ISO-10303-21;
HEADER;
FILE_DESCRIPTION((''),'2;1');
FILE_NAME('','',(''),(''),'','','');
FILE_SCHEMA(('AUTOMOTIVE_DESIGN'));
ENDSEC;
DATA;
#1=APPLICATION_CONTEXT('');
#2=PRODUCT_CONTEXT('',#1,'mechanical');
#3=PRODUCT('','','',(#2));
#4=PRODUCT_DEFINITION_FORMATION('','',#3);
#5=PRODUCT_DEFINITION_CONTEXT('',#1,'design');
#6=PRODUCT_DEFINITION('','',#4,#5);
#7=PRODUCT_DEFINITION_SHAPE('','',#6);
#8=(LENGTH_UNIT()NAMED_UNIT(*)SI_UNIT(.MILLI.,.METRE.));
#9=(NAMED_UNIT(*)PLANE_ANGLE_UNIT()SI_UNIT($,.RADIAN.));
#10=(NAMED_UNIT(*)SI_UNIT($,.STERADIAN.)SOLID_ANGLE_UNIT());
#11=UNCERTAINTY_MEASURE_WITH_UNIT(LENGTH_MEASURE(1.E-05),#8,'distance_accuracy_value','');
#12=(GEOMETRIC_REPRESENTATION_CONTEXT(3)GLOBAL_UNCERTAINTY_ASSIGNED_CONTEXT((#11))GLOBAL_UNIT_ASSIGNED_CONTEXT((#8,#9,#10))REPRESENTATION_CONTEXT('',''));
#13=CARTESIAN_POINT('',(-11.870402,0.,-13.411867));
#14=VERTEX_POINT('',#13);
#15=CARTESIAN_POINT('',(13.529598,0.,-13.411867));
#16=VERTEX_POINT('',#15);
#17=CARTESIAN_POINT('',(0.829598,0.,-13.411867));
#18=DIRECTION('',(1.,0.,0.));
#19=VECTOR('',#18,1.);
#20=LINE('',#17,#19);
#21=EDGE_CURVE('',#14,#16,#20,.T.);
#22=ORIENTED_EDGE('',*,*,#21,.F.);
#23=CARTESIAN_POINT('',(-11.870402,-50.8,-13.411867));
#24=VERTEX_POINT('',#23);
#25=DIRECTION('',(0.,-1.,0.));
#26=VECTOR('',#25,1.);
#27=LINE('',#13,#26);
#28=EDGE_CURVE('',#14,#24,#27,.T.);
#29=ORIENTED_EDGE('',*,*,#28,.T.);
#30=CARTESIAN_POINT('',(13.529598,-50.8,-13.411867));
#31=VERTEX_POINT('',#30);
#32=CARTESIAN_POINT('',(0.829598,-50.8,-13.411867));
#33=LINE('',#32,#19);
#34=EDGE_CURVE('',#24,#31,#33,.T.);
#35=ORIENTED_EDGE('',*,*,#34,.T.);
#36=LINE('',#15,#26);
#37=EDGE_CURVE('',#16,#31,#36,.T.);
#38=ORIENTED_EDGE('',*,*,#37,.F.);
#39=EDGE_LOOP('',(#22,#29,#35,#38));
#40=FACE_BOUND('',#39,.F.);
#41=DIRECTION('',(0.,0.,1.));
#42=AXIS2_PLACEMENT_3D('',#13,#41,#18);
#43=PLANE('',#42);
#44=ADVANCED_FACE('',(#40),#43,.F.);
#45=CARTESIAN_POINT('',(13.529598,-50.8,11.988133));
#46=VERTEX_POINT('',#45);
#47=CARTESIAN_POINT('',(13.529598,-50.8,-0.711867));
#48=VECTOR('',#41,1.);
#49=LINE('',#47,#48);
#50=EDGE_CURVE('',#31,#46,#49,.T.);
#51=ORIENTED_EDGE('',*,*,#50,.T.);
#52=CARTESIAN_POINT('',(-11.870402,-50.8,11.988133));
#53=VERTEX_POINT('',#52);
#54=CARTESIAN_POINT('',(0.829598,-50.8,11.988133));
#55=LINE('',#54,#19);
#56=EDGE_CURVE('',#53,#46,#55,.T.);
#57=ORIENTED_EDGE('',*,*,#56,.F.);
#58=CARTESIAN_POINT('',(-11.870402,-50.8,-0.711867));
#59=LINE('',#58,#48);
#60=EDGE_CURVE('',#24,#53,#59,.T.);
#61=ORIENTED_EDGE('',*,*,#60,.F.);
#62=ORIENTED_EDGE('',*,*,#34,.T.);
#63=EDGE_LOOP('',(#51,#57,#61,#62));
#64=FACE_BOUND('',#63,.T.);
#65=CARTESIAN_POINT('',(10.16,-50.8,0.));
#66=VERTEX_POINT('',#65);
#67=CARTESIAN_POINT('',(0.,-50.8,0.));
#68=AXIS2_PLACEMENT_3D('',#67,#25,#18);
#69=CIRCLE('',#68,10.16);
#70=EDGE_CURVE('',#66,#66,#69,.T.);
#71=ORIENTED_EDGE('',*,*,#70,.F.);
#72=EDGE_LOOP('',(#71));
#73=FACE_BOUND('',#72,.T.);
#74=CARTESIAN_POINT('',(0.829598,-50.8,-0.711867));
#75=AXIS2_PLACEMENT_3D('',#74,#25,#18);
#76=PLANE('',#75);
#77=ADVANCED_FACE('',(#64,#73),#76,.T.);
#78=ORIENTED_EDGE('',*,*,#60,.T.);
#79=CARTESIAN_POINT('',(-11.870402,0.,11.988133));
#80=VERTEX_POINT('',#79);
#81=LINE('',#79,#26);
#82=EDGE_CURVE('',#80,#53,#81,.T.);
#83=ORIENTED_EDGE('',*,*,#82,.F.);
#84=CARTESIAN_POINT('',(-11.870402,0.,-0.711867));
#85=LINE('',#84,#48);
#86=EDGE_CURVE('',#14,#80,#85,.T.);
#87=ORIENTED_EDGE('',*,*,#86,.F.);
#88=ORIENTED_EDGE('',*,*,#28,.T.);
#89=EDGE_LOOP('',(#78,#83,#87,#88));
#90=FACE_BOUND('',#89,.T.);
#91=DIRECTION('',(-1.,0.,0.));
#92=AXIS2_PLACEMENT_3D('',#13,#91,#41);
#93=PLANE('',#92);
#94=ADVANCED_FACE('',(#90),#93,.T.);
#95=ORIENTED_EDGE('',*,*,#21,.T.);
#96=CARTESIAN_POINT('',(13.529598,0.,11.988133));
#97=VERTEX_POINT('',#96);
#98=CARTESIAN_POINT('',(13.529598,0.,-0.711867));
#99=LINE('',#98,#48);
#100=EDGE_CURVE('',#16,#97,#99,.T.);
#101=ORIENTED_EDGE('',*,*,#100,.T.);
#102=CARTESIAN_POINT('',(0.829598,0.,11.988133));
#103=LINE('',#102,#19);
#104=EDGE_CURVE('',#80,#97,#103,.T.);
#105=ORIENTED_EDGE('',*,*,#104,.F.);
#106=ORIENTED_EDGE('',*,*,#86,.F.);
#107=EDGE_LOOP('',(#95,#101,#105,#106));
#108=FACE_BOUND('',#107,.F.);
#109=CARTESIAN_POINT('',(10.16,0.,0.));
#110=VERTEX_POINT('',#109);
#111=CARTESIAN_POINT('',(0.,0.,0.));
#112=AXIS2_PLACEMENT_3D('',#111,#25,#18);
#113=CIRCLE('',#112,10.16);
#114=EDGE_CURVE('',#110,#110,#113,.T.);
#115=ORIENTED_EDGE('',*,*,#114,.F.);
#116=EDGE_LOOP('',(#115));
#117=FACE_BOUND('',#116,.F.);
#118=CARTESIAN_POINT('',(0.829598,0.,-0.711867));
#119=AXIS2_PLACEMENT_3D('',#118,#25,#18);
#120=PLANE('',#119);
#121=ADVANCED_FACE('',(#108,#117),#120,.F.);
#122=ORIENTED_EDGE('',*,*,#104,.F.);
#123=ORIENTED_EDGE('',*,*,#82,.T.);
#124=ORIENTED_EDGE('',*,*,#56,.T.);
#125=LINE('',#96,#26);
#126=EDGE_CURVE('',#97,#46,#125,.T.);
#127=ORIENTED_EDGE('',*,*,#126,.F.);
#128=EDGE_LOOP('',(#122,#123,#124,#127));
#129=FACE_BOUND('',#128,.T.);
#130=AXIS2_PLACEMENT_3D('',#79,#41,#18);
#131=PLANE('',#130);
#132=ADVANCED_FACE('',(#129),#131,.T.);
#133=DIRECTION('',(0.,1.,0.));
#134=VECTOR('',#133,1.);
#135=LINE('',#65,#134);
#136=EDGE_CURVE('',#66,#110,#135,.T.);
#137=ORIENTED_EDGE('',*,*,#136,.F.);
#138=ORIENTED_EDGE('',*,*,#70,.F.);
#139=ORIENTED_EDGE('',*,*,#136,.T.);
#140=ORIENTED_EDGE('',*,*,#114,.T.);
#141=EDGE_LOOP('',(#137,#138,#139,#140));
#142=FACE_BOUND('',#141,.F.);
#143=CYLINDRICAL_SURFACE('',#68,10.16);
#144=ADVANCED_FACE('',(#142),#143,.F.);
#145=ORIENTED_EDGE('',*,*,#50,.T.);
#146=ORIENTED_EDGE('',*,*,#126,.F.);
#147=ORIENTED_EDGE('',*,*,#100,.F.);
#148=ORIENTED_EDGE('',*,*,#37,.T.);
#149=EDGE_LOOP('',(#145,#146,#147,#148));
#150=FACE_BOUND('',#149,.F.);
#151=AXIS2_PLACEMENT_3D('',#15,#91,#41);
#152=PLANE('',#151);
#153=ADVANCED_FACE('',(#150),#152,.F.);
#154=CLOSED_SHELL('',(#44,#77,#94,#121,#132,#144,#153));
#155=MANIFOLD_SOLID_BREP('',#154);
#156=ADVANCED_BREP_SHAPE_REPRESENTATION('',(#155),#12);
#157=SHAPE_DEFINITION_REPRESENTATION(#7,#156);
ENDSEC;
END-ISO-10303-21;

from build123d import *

# Parameters (mm, degrees)
F0_W     = 25.4
F0_H     = 25.4
F1_DEPTH = 50.8
F2_R     = 10.16
F3_DEPTH = 50.801


with BuildPart() as f1:
    # F0 (on Front) → F1 (new body)
    with BuildSketch(Plane.XZ):
        with Locations((0.829598, -0.711867)):
            Rectangle(F0_W, F0_H)
    extrude(amount=F1_DEPTH)

    # F2 (on face) → F3 (cut, through all)
    with BuildSketch(Plane.XZ.offset(50.8)):
        Circle(F2_R)
    extrude(amount=-F3_DEPTH, mode=Mode.SUBTRACT)


solid = f1.part
